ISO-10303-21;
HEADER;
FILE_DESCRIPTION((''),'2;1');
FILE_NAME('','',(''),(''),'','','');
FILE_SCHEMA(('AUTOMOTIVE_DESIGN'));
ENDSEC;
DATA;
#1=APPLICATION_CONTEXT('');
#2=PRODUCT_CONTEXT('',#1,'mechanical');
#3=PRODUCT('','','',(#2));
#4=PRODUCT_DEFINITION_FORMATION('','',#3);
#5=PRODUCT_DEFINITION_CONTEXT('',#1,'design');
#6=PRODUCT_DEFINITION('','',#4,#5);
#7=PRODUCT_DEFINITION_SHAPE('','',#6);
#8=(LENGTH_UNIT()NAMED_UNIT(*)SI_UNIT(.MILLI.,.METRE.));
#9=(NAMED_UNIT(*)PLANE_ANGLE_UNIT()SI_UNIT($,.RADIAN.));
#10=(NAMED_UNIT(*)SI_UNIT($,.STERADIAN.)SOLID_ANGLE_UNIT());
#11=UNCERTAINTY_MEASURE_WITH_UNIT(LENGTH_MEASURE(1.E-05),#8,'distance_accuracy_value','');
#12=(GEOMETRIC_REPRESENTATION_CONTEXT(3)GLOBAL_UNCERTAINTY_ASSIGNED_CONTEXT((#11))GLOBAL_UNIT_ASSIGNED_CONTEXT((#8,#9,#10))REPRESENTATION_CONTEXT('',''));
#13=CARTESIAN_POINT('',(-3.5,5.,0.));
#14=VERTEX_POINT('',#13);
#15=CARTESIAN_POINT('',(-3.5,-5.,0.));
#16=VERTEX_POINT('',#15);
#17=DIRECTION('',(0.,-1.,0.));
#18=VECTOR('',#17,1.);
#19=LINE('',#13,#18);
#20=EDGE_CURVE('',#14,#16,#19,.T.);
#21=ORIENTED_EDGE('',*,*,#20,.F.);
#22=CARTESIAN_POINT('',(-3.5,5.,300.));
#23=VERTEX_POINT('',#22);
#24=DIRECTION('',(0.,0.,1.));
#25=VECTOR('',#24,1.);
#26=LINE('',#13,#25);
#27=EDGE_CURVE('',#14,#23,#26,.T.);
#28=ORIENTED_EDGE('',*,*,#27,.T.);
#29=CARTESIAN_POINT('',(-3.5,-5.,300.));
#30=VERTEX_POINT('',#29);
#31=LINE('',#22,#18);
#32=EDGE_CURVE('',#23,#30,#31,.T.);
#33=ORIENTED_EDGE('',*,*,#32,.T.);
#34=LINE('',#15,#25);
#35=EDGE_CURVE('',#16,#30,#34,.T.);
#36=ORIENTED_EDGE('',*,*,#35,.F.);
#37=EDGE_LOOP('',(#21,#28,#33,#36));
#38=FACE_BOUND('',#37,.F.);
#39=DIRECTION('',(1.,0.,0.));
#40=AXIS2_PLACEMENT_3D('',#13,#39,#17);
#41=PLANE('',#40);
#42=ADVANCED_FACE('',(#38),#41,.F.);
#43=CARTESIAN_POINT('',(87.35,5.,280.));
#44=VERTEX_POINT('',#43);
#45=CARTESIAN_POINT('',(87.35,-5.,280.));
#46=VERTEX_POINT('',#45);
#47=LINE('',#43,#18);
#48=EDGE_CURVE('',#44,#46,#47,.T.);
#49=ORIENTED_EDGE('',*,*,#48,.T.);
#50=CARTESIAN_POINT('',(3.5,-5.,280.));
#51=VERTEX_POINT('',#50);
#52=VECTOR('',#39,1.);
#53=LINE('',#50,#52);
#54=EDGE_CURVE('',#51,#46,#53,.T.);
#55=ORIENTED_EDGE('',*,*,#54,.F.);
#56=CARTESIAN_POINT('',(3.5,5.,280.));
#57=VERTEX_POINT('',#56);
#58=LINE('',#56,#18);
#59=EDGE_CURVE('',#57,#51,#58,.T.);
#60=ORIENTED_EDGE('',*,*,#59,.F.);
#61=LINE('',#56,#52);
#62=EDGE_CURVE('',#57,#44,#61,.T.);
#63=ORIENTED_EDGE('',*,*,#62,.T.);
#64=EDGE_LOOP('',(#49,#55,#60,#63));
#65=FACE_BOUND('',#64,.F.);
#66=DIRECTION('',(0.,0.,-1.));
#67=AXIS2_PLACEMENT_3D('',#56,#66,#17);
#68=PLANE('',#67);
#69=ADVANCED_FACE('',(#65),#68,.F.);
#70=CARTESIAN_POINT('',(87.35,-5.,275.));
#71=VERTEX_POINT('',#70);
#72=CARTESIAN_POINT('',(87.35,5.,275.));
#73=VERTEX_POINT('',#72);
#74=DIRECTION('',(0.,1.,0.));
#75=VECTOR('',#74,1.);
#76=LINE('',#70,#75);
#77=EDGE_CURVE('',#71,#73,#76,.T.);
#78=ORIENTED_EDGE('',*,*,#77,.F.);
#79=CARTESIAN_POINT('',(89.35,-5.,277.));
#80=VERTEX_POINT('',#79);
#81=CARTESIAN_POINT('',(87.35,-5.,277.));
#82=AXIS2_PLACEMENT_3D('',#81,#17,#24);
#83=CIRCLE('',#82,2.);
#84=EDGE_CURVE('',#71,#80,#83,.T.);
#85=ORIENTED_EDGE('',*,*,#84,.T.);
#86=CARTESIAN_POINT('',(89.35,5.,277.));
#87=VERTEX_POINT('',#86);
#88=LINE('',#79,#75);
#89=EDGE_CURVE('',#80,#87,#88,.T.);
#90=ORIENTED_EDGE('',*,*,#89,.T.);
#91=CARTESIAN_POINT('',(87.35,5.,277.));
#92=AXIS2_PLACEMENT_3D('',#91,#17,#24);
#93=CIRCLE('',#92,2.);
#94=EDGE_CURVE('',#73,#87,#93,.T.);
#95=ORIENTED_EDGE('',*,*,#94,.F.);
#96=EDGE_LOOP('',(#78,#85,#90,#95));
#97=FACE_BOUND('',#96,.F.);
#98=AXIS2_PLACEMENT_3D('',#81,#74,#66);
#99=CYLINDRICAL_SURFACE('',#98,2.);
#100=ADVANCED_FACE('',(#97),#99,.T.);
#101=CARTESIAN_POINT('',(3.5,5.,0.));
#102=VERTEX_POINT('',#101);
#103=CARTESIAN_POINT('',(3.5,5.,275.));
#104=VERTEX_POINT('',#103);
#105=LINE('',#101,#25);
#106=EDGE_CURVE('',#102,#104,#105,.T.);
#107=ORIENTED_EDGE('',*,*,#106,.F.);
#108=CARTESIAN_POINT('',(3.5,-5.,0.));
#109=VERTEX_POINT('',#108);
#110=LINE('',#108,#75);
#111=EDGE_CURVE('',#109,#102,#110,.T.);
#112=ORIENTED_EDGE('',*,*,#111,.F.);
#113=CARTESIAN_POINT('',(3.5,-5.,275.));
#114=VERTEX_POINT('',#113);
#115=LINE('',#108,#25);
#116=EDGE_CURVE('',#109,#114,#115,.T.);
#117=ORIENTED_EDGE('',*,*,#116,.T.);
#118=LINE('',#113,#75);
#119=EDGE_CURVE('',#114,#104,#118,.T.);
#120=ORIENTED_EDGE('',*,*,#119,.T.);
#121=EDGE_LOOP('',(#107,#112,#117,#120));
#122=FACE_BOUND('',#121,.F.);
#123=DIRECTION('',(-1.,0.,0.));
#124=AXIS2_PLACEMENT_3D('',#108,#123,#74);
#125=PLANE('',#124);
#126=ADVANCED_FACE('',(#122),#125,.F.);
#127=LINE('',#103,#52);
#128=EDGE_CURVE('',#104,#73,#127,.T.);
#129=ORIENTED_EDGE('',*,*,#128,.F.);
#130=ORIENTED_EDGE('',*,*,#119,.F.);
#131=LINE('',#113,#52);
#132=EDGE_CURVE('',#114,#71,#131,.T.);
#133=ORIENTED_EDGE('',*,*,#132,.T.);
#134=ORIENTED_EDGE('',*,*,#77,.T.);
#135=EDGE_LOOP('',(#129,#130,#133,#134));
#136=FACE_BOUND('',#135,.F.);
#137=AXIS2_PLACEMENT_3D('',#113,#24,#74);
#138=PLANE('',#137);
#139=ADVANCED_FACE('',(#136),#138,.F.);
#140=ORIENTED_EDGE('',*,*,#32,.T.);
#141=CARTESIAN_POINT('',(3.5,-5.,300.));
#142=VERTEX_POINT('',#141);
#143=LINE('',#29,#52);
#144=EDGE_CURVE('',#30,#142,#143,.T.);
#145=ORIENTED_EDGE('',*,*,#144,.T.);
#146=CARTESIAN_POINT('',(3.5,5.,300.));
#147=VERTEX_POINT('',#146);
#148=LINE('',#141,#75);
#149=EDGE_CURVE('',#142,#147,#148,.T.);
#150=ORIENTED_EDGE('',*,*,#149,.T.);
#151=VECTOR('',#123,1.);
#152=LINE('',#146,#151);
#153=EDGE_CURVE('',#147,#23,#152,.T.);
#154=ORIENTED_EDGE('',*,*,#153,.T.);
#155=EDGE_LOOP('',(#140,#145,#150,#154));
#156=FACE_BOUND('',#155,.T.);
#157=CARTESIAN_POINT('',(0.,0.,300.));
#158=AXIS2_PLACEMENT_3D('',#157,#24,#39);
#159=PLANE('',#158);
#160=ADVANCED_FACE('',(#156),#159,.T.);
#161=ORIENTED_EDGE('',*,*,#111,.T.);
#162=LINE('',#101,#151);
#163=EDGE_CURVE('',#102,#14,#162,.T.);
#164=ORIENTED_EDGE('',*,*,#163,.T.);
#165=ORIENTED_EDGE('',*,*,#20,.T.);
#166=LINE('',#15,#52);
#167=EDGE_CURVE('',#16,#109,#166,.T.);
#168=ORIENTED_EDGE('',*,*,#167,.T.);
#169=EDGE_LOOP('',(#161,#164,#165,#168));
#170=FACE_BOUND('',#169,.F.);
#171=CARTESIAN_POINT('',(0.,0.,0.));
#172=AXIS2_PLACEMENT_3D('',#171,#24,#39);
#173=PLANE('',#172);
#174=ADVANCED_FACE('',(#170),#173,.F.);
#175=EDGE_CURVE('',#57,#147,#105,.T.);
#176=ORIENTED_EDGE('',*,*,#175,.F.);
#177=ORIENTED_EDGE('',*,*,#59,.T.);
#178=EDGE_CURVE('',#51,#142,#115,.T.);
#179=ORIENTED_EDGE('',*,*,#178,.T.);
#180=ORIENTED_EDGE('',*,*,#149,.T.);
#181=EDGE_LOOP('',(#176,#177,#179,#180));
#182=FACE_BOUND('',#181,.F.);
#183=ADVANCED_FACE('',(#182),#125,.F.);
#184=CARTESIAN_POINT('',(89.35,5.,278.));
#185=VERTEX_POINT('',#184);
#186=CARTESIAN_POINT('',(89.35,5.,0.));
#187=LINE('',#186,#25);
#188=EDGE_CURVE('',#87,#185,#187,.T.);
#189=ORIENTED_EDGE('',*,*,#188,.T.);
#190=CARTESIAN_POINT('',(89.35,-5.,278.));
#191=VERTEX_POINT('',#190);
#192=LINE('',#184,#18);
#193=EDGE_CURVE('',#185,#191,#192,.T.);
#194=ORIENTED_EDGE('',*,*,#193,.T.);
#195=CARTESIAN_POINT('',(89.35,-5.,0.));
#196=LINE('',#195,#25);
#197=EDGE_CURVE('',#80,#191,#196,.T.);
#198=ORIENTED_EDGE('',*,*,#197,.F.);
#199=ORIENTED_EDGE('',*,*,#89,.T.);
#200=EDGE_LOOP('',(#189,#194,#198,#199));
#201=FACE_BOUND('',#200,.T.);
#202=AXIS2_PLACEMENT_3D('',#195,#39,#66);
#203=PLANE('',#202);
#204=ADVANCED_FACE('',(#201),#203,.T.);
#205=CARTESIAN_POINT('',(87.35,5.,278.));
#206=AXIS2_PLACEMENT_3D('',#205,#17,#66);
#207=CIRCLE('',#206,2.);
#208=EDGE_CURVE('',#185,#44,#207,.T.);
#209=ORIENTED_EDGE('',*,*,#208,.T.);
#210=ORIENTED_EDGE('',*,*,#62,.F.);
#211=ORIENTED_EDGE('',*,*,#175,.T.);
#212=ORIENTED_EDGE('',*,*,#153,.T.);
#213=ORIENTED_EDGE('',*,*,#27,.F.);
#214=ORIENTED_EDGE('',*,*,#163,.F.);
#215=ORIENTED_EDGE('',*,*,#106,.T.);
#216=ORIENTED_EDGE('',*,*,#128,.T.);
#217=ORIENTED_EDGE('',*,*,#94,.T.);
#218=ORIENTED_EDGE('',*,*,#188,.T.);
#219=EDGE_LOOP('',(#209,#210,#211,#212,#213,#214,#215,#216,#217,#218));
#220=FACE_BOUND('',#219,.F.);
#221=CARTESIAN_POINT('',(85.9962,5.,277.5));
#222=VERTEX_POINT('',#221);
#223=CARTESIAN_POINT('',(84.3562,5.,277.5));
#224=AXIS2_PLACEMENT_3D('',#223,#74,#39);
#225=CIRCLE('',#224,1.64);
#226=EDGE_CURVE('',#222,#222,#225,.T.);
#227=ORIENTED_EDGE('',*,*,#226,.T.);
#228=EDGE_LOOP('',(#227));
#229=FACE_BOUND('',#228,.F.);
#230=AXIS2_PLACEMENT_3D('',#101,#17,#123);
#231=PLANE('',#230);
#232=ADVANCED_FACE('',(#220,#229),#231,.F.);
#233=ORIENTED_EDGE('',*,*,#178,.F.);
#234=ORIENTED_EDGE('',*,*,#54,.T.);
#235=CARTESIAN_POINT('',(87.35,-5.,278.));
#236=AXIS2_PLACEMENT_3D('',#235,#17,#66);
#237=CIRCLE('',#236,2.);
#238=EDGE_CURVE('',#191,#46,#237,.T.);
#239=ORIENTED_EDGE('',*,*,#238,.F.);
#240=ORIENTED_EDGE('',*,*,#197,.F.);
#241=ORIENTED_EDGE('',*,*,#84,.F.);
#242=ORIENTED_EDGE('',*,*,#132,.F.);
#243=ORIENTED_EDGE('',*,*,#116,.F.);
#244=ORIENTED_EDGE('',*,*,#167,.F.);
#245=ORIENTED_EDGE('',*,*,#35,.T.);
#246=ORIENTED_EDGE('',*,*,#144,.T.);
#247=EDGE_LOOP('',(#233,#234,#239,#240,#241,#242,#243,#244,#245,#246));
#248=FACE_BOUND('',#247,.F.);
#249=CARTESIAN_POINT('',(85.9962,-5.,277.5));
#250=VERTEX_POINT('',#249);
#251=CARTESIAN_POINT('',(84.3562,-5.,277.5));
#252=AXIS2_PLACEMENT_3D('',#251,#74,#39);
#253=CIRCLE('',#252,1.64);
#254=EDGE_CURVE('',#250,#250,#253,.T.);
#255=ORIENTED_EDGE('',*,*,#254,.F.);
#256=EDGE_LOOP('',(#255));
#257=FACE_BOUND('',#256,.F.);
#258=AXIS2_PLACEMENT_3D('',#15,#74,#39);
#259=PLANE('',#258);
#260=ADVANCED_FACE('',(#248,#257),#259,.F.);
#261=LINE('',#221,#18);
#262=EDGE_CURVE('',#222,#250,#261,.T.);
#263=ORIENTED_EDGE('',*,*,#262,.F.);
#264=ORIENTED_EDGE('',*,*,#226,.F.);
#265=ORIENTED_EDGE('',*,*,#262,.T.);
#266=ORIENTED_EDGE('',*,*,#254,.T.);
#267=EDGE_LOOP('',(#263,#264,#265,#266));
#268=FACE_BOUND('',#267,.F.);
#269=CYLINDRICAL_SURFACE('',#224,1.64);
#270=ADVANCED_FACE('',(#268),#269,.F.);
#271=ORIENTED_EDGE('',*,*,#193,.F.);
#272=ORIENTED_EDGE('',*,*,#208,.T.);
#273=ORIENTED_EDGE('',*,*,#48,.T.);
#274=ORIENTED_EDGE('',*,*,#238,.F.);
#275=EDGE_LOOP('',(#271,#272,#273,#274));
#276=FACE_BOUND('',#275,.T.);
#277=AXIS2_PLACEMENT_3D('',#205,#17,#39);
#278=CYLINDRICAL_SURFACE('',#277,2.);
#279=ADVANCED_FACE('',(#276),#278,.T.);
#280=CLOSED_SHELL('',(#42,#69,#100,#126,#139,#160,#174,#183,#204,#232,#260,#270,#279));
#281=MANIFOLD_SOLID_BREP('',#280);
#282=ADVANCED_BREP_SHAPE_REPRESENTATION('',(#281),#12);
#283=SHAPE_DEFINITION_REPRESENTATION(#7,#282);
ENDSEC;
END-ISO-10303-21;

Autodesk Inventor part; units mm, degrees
ref_plane "YZ Plane" through (0, 0, 0) normal (1, 0, 0) x (0, 1, 0)
ref_plane "XZ Plane" through (0, 0, 0) normal (0, 1, 0) x (-1, 0, 0)
ref_plane "XY Plane" through (0, 0, 0) normal (0, 0, 1) x (1, 0, 0)
sketch "Sketch1" plane through (0, 0, 0) normal (0, 0, 1) x (1, 0, 0)
  line L0 (-3.5, -5) -> (3.5, -5)
  line L1 (3.5, -5) -> (3.5, 5)
  line L2 (3.5, 5) -> (-3.5, 5)
  line L3 (-3.5, 5) -> (-3.5, -5)
  line L4 (-3.5, -5) -> (3.5, 5) construction
  line L5 (3.5, -5) -> (-3.5, 5) construction
  point P0 (0, 0)
  dimension "d0" = 7
  dimension "d1" = 10
extrude "Extrusion1" add sketch "Sketch1" along normal blind 300
sketch "Sketch2" plane through (3.5, -5, 0) normal (1, 0, 0) x (0, 0, -1)
  point P0 (0, 5)
sketch "Sketch3" plane through (3.5, -5, 0) normal (1, 0, 0) x (0, 0, -1)
  line L0 (0, 10) -> (-300, 10) projected
  line L1 (0, 0) -> (-300, 0) projected
  line L2 (-275, 10) -> (-280, 10)
  line L3 (-280, 10) -> (-280, 0)
  line L4 (-280, 0) -> (-275, 0)
  line L5 (-275, 0) -> (-275, 10)
  line L6 (-300, 0) -> (-300, 10) projected
  point P0 (0, 5)
  point P1 (-275, 0)
  point P2 (-280, 10)
  dimension "d4" = 5
  dimension "d12" = 20
extrude "Extrusion2" add sketch "Sketch3" along normal blind 85.85 contours L5 L1 L3 L0
sketch "Sketch4" plane through (-3.5, 5, 300) normal (0, 1, 0) x (1, 0, 0)
  circle A0 centre (87.8562, 22.5) radius 1.64
  line L0 (7, 25) -> (92.85, 25) projected
  point P0 (3.5, 300)
  dimension "d7" = 3.28
  dimension "d8" = 2.5
extrude "Extrusion3" cut sketch "Sketch4" against normal through all
fillet "Fillet1" radius 2 2 edges at (89.35, 0, 275) (89.35, 0, 280)
properties part number "support_rod_left"
